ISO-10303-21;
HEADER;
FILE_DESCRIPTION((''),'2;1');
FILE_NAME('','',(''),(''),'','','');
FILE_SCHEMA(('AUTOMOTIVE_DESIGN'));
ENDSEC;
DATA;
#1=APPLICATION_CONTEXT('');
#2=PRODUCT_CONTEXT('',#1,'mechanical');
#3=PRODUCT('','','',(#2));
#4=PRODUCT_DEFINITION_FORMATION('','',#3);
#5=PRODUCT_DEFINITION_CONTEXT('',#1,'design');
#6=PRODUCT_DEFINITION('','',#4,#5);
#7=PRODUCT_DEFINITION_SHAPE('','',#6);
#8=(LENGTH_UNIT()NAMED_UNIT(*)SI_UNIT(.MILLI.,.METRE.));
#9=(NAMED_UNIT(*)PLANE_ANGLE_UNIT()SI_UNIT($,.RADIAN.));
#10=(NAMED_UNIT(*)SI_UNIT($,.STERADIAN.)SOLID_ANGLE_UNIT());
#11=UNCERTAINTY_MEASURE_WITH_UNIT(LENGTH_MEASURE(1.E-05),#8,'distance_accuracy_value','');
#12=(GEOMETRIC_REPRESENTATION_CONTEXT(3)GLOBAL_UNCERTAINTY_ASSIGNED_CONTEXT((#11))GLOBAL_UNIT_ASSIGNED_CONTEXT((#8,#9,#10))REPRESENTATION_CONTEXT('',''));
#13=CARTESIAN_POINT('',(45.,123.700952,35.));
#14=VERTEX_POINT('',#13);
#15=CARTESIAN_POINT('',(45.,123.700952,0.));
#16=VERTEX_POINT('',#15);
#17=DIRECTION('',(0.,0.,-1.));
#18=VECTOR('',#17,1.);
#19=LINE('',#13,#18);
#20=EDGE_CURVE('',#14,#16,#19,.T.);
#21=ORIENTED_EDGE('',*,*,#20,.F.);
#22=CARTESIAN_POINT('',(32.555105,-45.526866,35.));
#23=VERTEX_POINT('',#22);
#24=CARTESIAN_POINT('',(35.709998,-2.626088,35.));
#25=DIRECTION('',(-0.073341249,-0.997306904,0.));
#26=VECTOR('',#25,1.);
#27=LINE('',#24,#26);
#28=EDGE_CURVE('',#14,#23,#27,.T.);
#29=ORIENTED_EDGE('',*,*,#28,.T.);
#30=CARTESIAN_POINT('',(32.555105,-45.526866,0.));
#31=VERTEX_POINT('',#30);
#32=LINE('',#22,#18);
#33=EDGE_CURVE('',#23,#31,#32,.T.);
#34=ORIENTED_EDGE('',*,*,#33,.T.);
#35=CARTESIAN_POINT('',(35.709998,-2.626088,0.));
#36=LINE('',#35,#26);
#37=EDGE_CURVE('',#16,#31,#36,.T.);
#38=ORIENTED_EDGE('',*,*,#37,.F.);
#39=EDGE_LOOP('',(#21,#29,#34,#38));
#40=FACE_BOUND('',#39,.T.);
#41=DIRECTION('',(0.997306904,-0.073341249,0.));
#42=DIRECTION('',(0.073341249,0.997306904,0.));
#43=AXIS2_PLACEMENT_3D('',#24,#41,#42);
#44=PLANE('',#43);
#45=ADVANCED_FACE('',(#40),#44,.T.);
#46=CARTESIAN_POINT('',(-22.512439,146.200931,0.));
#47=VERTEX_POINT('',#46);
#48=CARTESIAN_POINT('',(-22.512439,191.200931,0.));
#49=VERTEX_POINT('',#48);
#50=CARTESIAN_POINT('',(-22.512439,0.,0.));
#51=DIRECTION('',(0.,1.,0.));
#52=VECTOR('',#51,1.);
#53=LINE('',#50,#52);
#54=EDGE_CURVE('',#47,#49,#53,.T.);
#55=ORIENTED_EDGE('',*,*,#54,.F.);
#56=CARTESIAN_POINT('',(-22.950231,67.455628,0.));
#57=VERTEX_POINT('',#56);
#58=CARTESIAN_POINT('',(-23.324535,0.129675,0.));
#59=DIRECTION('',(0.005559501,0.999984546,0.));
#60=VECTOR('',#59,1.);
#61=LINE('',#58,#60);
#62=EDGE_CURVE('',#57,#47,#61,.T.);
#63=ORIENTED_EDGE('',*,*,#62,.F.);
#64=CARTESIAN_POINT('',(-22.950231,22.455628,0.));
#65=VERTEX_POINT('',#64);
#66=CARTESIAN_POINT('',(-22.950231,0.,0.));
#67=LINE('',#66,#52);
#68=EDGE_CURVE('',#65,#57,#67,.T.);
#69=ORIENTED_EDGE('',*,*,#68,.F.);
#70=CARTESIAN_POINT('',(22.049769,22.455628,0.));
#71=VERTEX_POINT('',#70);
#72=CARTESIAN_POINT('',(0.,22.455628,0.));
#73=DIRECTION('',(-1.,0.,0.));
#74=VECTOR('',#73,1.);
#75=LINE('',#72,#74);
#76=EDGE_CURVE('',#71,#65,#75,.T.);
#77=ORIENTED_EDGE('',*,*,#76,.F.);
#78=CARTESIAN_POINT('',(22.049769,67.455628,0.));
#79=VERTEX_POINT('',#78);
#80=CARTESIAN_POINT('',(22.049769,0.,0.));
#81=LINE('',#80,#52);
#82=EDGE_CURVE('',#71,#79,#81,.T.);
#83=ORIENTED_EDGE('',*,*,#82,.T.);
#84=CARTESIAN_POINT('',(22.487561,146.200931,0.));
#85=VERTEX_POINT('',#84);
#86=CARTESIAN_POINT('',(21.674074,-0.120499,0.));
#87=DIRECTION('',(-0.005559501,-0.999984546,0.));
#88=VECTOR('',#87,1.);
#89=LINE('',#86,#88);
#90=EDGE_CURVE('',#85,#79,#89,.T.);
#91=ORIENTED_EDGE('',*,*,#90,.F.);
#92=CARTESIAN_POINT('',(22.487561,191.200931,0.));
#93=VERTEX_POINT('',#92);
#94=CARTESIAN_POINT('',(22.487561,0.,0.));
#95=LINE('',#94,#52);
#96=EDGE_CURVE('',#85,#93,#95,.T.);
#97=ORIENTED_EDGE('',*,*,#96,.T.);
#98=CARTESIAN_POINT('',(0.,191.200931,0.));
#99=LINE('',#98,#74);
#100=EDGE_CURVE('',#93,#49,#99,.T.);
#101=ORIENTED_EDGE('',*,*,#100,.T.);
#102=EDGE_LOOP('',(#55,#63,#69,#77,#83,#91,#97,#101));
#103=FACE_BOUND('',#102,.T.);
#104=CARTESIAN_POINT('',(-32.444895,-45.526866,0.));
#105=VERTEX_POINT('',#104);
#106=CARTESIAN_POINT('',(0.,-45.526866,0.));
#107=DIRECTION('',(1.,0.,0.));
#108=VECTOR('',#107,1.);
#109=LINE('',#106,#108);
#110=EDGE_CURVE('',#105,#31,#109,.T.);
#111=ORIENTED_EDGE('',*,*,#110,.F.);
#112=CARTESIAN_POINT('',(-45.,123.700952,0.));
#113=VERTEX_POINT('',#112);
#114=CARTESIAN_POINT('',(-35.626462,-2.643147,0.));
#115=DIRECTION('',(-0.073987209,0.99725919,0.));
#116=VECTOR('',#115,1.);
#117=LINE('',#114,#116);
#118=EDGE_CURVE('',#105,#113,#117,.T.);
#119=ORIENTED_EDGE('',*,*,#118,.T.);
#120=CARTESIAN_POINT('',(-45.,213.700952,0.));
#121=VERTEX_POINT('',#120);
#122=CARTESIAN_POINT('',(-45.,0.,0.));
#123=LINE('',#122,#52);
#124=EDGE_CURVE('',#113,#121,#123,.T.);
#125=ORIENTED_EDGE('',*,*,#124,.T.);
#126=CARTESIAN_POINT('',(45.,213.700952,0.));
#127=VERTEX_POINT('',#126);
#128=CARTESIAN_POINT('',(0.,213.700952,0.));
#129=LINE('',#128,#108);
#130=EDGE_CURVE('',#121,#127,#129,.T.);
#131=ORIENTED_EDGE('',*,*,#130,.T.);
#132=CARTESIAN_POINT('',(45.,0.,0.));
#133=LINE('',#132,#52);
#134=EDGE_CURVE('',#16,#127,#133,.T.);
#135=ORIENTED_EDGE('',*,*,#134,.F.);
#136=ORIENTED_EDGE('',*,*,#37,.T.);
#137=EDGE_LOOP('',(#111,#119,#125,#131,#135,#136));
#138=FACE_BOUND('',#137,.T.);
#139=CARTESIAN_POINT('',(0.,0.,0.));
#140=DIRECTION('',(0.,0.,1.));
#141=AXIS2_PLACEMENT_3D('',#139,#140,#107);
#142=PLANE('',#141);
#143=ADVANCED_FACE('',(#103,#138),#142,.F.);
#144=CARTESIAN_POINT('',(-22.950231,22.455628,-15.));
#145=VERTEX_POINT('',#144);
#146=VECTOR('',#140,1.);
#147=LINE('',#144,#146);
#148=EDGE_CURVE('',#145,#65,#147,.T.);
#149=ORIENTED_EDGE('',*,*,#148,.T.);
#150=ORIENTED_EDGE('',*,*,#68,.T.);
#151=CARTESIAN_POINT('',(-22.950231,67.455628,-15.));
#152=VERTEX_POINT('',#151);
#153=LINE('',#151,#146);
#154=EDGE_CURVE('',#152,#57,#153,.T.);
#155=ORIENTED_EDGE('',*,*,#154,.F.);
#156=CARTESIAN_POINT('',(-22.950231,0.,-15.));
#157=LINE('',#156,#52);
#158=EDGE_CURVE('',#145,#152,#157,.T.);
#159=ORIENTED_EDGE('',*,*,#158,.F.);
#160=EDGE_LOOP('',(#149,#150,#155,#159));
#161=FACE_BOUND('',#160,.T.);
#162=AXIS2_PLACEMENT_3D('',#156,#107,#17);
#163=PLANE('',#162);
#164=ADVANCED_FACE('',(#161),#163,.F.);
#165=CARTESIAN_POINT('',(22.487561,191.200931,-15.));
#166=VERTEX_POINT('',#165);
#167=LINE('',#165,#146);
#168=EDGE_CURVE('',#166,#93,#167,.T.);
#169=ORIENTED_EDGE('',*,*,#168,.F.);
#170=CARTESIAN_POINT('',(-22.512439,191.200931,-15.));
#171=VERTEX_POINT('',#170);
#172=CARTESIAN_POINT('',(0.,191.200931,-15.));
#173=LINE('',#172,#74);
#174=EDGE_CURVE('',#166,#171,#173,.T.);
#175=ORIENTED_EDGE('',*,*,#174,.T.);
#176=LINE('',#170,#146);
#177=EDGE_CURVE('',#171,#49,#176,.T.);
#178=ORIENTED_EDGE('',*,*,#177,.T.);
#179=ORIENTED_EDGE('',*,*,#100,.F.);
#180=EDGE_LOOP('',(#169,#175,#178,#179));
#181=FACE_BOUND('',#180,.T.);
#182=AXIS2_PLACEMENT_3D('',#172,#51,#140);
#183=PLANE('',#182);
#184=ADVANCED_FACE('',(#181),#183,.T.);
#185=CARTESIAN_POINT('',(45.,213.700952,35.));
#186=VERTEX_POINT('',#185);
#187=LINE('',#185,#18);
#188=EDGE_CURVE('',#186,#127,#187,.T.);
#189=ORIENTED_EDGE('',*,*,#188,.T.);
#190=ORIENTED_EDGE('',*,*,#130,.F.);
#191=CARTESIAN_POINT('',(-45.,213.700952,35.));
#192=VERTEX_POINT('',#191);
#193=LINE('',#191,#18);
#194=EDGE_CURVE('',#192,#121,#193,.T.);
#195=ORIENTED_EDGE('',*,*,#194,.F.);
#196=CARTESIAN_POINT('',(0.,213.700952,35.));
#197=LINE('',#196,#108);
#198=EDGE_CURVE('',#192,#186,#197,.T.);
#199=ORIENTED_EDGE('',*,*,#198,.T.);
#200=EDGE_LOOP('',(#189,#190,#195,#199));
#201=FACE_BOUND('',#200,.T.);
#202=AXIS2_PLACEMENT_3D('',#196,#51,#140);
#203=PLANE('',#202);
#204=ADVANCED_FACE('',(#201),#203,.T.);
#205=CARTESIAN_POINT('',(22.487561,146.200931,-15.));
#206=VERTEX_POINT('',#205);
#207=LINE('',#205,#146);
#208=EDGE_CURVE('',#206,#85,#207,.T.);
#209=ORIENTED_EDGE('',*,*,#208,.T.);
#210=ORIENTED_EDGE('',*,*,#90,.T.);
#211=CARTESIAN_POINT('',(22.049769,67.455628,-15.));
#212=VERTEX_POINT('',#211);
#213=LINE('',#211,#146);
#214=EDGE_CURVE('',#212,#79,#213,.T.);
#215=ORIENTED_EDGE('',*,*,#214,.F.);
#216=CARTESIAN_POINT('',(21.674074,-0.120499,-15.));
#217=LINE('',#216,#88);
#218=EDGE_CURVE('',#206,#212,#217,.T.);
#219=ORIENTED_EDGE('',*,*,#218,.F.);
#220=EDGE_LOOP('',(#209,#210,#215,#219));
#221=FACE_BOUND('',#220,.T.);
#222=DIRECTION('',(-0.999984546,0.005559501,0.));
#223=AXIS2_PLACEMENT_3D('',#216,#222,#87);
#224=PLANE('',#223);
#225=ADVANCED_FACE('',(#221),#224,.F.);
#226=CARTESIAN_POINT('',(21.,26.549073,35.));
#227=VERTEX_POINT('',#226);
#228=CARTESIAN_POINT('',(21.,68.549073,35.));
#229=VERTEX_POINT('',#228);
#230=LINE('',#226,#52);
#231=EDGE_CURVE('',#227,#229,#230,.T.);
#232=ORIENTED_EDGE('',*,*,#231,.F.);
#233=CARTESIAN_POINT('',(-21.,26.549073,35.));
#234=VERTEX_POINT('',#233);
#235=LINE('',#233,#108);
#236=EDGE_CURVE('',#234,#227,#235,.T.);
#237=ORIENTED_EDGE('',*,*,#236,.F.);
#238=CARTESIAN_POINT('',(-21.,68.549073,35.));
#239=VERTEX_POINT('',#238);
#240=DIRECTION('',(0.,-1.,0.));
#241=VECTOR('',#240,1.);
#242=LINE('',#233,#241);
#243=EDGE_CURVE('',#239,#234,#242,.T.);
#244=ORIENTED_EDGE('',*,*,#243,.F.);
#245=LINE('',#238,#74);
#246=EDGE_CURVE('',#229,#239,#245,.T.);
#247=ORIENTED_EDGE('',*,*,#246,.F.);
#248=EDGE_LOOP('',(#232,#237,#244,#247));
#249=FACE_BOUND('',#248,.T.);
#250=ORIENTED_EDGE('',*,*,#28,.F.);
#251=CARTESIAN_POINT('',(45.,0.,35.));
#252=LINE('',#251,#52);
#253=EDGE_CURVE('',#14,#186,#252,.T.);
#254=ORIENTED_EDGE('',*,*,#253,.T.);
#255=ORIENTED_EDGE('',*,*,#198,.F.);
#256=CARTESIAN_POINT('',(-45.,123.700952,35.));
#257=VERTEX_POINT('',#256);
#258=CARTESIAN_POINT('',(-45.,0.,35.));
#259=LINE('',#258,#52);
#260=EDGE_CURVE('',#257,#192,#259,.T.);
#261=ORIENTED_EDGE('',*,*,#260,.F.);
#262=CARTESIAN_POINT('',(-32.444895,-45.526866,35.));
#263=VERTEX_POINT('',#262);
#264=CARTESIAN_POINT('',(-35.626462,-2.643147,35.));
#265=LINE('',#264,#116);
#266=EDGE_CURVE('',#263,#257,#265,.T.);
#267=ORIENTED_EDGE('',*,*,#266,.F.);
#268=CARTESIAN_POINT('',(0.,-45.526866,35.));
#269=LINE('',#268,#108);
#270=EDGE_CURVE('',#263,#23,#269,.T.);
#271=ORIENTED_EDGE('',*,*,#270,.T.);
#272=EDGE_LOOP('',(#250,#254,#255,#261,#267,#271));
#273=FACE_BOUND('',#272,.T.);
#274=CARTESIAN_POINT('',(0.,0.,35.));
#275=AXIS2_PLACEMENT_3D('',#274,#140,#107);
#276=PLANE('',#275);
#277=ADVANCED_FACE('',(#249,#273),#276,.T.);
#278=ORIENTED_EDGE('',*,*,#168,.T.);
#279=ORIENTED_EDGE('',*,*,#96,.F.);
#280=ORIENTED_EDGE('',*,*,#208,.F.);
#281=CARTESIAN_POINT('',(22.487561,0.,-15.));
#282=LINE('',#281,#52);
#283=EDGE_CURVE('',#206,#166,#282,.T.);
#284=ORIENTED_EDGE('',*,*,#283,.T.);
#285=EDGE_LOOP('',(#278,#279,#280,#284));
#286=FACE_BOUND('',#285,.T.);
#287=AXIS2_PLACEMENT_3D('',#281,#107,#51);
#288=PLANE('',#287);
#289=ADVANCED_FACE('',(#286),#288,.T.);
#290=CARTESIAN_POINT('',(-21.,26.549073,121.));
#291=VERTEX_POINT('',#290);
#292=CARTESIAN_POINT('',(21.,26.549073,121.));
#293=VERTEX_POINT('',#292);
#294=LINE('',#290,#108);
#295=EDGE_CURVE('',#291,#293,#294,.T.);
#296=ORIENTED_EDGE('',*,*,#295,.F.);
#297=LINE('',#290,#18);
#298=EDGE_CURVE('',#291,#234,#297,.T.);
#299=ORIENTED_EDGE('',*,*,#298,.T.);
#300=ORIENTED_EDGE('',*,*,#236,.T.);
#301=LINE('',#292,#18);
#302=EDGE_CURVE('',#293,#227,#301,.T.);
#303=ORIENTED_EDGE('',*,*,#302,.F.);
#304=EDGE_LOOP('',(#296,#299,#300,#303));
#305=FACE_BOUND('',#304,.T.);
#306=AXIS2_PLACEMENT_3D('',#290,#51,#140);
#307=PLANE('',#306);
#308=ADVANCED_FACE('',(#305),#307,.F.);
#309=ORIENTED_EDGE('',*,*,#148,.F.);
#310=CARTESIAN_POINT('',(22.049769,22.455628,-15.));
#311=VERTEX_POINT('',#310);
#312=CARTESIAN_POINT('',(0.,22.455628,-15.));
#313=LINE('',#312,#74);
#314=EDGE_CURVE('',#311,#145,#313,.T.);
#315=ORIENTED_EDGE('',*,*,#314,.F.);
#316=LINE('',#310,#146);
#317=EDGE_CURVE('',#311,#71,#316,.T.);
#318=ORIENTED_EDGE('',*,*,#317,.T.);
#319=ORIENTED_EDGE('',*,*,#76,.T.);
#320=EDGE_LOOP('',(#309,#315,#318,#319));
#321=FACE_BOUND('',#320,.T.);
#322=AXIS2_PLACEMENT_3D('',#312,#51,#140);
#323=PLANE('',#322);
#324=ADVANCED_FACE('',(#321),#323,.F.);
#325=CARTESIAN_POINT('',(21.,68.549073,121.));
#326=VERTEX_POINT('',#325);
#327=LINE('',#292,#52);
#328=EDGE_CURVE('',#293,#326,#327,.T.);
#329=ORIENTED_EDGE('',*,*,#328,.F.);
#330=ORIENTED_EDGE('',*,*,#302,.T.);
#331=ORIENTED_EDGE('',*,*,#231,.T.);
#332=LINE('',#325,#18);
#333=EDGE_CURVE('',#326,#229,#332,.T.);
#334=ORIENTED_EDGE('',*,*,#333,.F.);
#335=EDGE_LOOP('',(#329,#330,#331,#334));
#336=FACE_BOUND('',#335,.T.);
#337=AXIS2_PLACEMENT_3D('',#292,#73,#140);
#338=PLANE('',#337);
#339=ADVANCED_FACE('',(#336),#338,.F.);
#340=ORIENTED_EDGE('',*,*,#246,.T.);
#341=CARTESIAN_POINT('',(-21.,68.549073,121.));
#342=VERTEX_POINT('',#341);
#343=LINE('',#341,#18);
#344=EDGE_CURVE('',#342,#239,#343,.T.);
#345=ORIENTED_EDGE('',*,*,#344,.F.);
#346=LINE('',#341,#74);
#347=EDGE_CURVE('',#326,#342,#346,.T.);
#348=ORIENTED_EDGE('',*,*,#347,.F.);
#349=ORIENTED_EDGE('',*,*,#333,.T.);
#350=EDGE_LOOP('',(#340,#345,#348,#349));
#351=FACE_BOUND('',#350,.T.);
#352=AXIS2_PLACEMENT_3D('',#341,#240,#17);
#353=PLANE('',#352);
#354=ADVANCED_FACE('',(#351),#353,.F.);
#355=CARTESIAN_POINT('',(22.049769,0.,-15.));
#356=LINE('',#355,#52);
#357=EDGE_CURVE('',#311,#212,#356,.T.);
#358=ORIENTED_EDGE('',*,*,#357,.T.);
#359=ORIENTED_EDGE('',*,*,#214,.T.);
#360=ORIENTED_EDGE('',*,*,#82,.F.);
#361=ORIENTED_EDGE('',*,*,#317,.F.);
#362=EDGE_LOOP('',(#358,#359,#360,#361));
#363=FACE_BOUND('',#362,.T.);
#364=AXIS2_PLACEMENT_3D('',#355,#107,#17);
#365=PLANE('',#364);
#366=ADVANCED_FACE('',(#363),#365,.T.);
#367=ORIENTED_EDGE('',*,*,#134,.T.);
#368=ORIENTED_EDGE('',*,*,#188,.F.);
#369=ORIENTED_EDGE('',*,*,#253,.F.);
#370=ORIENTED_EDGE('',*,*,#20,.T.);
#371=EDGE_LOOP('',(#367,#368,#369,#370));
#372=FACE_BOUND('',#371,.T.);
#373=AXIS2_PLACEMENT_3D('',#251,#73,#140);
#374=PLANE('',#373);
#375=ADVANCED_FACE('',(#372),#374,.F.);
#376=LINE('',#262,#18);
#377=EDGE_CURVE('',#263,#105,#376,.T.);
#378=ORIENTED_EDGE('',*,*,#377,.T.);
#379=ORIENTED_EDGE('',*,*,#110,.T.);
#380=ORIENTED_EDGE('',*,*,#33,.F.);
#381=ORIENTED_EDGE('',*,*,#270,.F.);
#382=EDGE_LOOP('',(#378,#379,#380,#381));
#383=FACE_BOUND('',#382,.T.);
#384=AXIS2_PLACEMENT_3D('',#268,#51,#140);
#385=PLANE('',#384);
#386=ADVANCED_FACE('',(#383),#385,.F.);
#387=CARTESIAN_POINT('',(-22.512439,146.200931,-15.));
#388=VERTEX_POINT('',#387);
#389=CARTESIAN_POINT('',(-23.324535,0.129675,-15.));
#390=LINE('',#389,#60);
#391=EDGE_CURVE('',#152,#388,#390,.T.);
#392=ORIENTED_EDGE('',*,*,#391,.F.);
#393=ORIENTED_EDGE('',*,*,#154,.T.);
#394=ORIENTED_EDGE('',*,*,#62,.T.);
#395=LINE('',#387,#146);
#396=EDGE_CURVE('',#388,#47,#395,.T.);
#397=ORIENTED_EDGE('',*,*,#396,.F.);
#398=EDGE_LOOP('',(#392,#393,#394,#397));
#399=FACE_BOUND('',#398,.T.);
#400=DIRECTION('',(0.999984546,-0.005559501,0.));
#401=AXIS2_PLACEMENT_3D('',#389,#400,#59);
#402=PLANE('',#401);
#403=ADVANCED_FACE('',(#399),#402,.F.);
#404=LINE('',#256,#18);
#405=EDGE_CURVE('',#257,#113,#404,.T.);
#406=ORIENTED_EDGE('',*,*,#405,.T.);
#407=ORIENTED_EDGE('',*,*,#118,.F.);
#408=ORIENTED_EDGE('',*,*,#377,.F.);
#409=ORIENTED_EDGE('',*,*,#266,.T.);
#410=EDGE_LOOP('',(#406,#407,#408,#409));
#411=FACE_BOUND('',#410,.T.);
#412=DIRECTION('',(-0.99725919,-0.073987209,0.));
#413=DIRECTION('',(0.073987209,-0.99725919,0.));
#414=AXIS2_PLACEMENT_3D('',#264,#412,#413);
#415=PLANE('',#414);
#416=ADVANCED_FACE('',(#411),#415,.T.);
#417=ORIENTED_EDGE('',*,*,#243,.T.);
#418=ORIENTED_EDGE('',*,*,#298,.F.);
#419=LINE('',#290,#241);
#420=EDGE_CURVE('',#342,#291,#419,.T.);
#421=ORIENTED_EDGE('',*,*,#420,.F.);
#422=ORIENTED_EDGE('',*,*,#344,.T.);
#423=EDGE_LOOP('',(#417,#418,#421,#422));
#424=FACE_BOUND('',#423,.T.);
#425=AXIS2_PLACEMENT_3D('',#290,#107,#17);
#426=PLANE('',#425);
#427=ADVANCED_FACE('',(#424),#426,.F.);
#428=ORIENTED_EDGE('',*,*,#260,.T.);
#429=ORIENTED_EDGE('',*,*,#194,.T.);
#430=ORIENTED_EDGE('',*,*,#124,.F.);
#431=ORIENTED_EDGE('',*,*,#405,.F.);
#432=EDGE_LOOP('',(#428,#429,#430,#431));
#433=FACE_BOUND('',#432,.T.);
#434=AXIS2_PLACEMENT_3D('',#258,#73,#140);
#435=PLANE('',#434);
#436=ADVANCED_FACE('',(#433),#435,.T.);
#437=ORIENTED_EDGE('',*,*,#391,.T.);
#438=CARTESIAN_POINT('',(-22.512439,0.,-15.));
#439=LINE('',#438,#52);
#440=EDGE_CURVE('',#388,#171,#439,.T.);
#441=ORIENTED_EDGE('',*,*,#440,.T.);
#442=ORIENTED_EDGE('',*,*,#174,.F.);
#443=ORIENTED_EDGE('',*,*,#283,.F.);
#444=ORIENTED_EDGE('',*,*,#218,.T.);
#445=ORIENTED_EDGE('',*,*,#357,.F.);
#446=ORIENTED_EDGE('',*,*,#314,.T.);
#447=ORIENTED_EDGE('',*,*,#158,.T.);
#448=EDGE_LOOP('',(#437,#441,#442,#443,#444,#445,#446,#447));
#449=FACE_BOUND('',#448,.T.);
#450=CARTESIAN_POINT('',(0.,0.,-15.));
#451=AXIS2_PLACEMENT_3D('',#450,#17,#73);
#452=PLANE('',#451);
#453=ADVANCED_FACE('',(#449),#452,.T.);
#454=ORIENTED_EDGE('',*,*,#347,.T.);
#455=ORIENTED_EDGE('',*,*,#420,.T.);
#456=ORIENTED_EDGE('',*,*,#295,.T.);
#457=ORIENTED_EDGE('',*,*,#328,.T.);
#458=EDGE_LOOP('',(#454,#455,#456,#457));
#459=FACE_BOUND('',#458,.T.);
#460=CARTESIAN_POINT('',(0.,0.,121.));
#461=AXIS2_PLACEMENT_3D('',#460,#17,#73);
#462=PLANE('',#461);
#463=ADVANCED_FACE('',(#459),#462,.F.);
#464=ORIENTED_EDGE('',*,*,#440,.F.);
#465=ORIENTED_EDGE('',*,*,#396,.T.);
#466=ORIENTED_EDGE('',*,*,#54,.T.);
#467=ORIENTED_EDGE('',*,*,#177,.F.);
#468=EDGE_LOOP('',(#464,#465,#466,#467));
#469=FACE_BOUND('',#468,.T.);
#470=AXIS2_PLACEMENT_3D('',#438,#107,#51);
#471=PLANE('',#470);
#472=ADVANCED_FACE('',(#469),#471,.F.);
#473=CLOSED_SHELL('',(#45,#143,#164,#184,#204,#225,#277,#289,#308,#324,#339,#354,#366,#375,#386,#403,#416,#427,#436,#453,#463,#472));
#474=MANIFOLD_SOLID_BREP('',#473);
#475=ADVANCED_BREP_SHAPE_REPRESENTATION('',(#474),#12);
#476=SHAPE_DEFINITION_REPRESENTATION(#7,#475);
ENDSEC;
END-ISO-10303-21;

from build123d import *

# Parameters (mm, degrees)
AUFSATZ_LINEAR_AUSTRAGEN1_DEPTH = 35
SKIZZE2_W                       = 42
SKIZZE2_H                       = 42
AUFSATZ_LINEAR_AUSTRAGEN2_DEPTH = 86
SKIZZE3_W                       = 45
SKIZZE3_H                       = 45
AUFSATZ_LINEAR_AUSTRAGEN3_DEPTH = 15


with BuildPart() as part:
    # Skizze1 → Aufsatz-Linear austragen1 (new body)
    with BuildSketch(Plane.XY):
        Polygon((-32.444894928, -45.526866225), (-45, 123.700952226), (-45, 213.700952226), (45, 213.700952226), (45, 123.700952226), (32.555105072, -45.526866225), align=None)
    extrude(amount=AUFSATZ_LINEAR_AUSTRAGEN1_DEPTH)

    # Skizze2 → Aufsatz-Linear austragen2 (add)
    with BuildSketch(Plane.XY.offset(35)):
        with Locations((0, 47.549073259)):
            Rectangle(SKIZZE2_W, SKIZZE2_H)
    extrude(amount=AUFSATZ_LINEAR_AUSTRAGEN2_DEPTH)

    # Skizze3 → Aufsatz-Linear austragen3 (add)
    with BuildSketch(Plane(origin=(0, 0, 0), x_dir=(-1, 0, 0), z_dir=(0, 0, -1))):
        with Locations((0.012439414, 168.70093099)):
            Rectangle(SKIZZE3_W, SKIZZE3_H)
        Polygon((-22.049769251, 67.455627916), (22.950230749, 67.455627916), (22.512439414, 146.20093099), (-22.487560586, 146.20093099), align=None)
        with Locations((0.450230749, 44.955627916)):
            Rectangle(SKIZZE3_W, SKIZZE3_H)
    extrude(amount=AUFSATZ_LINEAR_AUSTRAGEN3_DEPTH)


solid = part.part
